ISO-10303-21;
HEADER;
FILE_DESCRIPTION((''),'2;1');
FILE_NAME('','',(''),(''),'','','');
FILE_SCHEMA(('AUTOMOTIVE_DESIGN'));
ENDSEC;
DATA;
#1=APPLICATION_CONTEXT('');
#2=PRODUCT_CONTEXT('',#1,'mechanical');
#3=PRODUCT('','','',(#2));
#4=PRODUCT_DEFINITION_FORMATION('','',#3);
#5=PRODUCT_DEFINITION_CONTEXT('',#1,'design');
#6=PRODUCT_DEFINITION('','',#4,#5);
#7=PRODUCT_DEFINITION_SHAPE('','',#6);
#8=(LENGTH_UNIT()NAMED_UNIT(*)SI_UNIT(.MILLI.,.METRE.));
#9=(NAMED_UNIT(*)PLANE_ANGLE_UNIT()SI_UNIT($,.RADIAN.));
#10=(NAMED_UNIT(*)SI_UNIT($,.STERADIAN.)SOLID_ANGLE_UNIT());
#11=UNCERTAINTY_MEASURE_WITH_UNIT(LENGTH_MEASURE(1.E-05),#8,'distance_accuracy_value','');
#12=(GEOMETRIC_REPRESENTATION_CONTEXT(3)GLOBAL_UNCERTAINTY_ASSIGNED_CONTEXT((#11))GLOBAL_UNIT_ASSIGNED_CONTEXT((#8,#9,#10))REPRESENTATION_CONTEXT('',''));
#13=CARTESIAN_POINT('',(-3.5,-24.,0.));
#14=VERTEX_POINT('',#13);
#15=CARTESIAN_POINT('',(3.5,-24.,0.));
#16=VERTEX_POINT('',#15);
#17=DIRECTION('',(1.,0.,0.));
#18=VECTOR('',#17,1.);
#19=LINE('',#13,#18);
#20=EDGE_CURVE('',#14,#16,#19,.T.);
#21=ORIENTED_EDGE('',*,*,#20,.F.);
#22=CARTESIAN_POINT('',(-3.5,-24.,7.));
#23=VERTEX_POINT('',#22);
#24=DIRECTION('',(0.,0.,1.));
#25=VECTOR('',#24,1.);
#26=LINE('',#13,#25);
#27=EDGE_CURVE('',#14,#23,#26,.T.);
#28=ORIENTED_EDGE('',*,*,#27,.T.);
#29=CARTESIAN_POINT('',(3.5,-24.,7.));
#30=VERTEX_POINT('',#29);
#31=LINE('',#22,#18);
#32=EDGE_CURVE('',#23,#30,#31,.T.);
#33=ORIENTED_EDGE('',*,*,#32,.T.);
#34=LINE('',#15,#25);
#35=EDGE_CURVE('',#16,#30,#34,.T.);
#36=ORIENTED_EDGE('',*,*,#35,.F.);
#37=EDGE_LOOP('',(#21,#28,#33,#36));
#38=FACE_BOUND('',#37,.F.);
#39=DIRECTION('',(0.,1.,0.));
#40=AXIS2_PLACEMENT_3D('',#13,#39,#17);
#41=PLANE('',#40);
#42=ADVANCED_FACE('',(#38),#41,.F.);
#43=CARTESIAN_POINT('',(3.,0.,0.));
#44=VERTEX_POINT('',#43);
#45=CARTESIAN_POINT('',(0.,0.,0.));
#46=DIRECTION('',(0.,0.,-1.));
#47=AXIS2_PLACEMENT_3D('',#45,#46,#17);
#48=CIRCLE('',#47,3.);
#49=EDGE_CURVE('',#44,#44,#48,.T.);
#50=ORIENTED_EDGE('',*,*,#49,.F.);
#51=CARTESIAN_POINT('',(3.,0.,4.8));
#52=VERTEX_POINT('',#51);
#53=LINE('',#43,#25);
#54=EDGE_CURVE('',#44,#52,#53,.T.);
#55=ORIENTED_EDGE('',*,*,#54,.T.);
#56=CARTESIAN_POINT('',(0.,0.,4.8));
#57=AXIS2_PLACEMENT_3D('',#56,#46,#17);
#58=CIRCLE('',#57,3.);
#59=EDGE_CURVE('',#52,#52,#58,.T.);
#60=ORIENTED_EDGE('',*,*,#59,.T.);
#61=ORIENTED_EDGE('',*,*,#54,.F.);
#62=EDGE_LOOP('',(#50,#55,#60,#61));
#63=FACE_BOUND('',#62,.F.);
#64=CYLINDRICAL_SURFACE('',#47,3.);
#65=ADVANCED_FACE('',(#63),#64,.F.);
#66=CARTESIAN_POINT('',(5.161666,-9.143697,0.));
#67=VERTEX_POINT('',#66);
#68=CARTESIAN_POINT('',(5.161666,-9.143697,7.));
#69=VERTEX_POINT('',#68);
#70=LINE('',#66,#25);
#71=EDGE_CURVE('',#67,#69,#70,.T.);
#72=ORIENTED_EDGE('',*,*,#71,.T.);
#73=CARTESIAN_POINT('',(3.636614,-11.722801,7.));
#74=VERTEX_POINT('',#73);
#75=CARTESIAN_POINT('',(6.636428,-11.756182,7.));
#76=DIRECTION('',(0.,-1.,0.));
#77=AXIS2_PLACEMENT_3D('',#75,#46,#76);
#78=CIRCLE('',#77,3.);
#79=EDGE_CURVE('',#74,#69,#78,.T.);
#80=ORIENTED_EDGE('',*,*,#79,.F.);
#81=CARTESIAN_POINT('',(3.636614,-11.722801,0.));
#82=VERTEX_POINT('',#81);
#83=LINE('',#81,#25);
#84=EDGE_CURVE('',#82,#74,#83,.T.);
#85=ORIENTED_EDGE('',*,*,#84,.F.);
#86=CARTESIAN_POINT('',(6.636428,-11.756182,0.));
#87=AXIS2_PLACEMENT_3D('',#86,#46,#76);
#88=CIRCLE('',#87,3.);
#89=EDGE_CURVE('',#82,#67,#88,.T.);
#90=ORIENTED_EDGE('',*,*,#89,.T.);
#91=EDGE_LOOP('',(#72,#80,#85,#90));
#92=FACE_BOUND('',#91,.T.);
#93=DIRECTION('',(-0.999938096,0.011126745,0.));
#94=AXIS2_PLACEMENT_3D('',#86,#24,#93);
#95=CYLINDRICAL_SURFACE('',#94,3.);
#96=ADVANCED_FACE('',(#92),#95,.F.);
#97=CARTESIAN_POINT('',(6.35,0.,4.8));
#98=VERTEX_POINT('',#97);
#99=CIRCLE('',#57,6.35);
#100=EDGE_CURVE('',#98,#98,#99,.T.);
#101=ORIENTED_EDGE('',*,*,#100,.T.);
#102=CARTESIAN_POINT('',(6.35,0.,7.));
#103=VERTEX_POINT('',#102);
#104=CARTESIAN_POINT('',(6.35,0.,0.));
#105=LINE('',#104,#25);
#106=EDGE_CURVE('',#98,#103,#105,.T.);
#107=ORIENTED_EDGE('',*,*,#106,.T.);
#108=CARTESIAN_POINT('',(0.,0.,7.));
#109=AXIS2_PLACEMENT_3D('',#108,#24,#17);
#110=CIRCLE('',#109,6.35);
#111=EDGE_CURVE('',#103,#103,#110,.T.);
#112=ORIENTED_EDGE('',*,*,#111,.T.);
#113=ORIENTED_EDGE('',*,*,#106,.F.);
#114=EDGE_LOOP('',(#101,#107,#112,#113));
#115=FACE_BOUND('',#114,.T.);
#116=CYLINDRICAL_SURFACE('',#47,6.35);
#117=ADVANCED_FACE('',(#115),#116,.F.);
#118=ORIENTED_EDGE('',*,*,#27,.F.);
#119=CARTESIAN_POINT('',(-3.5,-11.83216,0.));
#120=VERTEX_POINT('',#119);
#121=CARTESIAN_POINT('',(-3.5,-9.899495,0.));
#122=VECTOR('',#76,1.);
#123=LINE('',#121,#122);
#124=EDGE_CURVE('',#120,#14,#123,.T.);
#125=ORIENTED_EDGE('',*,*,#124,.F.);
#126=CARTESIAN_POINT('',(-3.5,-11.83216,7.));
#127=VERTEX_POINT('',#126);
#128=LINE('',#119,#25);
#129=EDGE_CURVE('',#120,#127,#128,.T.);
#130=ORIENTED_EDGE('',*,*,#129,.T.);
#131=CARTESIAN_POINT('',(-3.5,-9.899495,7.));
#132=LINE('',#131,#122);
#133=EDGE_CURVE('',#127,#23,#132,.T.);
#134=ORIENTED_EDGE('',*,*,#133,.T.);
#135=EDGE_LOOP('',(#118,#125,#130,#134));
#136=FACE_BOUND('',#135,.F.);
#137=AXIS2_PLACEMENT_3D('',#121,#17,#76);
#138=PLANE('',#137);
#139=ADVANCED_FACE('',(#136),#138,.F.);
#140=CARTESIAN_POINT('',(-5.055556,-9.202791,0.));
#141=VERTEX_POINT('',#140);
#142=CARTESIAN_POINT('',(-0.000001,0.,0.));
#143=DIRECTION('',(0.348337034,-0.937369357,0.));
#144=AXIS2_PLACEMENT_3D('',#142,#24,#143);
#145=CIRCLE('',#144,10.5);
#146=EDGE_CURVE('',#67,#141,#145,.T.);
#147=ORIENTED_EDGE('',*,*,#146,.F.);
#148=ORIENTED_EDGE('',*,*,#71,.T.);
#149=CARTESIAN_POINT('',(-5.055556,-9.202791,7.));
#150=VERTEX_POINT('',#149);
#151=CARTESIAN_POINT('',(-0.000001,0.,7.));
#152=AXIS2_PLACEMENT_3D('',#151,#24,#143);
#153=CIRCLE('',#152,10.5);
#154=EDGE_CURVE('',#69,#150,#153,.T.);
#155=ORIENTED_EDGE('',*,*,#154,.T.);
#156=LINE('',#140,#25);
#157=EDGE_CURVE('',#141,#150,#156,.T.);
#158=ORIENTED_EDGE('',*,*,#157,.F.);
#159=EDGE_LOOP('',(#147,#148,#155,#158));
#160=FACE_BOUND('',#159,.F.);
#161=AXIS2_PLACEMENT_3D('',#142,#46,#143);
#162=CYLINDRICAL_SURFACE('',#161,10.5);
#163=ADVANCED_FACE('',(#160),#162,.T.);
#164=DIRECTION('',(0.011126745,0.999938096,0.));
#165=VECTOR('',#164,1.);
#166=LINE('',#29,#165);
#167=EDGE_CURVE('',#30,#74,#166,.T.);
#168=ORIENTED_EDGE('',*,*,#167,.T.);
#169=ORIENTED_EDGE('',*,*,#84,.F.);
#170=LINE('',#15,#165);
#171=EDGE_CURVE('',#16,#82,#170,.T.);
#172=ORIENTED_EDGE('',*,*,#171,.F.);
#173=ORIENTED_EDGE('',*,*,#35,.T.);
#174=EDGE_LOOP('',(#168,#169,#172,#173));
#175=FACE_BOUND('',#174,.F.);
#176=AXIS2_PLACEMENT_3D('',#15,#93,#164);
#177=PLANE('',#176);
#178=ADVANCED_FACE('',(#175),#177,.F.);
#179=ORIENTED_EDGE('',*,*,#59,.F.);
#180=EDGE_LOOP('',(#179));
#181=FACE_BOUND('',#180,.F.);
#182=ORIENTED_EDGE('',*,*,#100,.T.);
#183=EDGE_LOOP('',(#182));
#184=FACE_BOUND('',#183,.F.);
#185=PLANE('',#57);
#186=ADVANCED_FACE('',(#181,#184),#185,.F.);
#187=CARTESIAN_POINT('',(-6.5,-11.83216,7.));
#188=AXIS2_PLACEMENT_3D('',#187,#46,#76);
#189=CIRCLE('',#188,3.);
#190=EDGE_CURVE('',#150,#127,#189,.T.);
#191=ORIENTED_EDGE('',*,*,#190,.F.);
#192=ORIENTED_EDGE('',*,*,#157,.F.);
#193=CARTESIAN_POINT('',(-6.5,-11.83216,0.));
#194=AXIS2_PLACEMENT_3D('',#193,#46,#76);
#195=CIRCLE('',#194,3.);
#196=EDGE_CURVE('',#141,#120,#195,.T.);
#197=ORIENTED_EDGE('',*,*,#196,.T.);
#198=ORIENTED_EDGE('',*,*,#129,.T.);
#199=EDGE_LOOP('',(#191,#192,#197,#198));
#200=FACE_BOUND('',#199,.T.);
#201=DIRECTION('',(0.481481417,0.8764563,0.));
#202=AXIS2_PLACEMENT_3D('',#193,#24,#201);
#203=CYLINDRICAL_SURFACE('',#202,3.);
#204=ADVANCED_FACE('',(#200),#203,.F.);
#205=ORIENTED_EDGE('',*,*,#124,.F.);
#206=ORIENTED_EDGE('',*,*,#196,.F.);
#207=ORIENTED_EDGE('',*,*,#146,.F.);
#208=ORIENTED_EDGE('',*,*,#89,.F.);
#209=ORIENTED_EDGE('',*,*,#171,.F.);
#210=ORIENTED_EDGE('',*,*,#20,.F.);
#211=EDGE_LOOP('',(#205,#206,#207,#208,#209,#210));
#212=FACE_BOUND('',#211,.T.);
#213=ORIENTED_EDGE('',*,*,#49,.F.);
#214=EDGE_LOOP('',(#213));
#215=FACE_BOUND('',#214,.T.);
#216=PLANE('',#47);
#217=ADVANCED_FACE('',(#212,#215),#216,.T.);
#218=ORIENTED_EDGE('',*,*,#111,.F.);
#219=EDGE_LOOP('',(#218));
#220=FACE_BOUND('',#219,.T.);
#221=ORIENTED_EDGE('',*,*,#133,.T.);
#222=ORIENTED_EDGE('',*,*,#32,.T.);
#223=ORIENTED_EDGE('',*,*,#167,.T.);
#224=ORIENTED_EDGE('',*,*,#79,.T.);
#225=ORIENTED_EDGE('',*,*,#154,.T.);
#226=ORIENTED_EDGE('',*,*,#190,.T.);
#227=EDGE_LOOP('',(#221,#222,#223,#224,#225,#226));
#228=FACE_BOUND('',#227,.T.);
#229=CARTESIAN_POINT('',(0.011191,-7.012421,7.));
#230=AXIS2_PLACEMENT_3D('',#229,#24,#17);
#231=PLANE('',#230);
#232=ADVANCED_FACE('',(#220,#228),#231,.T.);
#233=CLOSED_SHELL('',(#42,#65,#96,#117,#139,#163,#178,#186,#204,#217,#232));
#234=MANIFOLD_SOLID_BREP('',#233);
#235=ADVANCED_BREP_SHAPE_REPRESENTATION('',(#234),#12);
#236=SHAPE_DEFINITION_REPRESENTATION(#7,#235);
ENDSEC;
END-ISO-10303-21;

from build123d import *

# Parameters (mm, degrees)
F0_R     = 6.35
F1_DEPTH = 7
F2_R     = 3
F3_R     = 6.35
F3_R_2   = 3
F4_DEPTH = 4.8


with BuildPart() as f1:
    # F0 (on Top) → F1 (new body)
    with BuildSketch(Plane.XY):
        with BuildLine():
            Line((3.5, -24), (3.657538, -9.842378))
            ThreePointArc((3.657538, -9.842378), (-0.083786, 10.499666), (-3.5, -9.899495))
            Line((-3.5, -9.899495), (-3.5, -24))
            Line((-3.5, -24), (3.5, -24))
        make_face()
        Circle(F0_R, mode=Mode.SUBTRACT)
    extrude(amount=F1_DEPTH)

    # F2
    f2_edges = [f1.edges().sort_by_distance(p)[0] for p in [
        (-3.5, -9.899495, 3.5),
        (3.657538, -9.842378, 3.5),
    ]]
    fillet(f2_edges, radius=F2_R)

    # F3 (on face) → F4 (join)
    with BuildSketch(Plane(origin=(0, 0, 0), x_dir=(1, 0, 0), z_dir=(0, 0, -1))):
        Circle(F3_R)
        Circle(F3_R_2, mode=Mode.SUBTRACT)
    extrude(amount=-F4_DEPTH)


solid = f1.part
